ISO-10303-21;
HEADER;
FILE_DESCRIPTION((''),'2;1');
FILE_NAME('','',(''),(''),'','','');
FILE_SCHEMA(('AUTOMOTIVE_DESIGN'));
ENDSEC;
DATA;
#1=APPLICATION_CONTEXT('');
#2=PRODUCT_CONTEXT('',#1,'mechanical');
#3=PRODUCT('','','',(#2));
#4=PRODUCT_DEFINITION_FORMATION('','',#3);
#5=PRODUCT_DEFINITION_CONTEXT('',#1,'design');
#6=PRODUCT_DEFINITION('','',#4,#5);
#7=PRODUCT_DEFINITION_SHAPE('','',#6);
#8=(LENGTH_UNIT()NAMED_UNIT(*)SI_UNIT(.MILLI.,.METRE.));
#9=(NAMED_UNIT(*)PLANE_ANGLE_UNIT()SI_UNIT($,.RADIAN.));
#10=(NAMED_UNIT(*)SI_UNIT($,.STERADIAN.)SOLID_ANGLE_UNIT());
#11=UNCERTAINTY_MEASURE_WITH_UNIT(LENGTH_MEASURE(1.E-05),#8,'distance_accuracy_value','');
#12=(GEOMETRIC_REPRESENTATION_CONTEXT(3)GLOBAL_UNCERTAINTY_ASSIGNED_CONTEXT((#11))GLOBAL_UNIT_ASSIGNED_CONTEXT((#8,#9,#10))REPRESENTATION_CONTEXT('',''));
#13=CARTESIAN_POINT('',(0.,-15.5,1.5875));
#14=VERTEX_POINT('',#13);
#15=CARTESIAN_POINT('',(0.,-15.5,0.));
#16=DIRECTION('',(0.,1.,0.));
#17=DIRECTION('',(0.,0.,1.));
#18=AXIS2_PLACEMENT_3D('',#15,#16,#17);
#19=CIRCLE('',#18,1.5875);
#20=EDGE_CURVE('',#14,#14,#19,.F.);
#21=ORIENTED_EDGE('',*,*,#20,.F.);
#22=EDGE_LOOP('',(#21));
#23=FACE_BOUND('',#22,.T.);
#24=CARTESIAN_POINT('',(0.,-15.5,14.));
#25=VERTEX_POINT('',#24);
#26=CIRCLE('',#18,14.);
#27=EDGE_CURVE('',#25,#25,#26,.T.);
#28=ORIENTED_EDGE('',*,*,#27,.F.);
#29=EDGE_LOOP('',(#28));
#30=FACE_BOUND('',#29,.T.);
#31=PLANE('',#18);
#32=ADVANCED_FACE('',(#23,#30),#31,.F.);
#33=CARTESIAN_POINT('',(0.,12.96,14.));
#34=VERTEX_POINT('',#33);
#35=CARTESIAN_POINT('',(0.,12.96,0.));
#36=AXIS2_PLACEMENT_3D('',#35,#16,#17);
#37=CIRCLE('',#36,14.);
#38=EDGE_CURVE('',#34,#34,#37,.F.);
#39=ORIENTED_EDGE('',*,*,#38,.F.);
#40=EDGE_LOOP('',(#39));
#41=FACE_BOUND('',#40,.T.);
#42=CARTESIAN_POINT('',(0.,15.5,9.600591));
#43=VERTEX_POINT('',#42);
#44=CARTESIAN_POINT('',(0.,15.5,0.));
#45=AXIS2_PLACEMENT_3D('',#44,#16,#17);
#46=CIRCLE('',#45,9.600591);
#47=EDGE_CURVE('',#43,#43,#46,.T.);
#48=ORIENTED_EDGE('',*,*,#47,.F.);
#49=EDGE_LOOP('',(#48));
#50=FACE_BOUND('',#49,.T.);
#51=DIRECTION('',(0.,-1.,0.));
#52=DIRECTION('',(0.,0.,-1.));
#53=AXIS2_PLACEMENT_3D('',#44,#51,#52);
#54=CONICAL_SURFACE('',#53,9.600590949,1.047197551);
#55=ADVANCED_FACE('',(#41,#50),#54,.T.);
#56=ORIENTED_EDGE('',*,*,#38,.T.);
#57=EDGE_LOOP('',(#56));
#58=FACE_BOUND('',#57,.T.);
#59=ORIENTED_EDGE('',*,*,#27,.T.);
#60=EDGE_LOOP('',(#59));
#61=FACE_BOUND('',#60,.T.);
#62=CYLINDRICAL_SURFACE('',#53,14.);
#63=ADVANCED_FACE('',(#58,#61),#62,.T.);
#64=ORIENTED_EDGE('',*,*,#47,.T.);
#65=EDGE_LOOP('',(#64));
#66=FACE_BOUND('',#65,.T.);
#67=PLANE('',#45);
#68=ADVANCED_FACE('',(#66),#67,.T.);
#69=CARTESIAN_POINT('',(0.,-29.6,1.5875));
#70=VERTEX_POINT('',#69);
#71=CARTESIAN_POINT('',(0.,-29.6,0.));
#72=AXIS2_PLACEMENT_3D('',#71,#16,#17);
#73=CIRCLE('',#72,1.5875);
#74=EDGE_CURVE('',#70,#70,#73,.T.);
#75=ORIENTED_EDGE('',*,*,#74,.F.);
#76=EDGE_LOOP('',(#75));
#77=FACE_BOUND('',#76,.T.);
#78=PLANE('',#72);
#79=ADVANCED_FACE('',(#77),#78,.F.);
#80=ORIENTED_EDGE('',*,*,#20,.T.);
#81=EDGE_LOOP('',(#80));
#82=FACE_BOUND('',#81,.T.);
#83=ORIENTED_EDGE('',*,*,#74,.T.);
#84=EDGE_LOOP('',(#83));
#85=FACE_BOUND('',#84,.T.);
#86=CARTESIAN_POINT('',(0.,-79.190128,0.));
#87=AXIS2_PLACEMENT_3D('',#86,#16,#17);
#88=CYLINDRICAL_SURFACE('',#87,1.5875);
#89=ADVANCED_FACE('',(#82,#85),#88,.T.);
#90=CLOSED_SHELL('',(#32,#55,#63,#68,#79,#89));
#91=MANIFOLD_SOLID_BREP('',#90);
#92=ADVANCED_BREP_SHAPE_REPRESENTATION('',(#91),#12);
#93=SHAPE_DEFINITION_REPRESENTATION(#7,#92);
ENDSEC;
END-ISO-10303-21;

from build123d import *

# Parameters (mm, degrees)
SKETCH1_R           = 14
BOSS_EXTRUDE1_DEPTH = 15.5
CHAMFER1_SIZE       = 2.54
CHAMFER1_SIZE2      = 4.399409051
SKETCH2_R           = 1.5875
BOSS_EXTRUDE2_DEPTH = 14.1


with BuildPart() as part:
    # Sketch1 → Boss-Extrude1 (new body, symmetric)
    with BuildSketch(Plane(origin=(0, 0, 0), x_dir=(1, 0, 0), z_dir=(0, 1, 0))):
        Circle(SKETCH1_R)
    extrude(amount=BOSS_EXTRUDE1_DEPTH, both=True)

    # Chamfer1
    chamfer1_edges = [part.edges().sort_by_distance(p)[0] for p in [
        (-14, 15.5, 0),
    ]]
    chamfer1_side = [part.faces().sort_by_distance(p)[0] for p in [
        (-14, 0, 0),
    ]]
    chamfer(chamfer1_edges, length=CHAMFER1_SIZE, length2=CHAMFER1_SIZE2, reference=chamfer1_side[0])

    # Sketch2 → Boss-Extrude2 (add)
    with BuildSketch(Plane.XZ.offset(15.5)):
        Circle(SKETCH2_R)
    extrude(amount=BOSS_EXTRUDE2_DEPTH)


solid = part.part
